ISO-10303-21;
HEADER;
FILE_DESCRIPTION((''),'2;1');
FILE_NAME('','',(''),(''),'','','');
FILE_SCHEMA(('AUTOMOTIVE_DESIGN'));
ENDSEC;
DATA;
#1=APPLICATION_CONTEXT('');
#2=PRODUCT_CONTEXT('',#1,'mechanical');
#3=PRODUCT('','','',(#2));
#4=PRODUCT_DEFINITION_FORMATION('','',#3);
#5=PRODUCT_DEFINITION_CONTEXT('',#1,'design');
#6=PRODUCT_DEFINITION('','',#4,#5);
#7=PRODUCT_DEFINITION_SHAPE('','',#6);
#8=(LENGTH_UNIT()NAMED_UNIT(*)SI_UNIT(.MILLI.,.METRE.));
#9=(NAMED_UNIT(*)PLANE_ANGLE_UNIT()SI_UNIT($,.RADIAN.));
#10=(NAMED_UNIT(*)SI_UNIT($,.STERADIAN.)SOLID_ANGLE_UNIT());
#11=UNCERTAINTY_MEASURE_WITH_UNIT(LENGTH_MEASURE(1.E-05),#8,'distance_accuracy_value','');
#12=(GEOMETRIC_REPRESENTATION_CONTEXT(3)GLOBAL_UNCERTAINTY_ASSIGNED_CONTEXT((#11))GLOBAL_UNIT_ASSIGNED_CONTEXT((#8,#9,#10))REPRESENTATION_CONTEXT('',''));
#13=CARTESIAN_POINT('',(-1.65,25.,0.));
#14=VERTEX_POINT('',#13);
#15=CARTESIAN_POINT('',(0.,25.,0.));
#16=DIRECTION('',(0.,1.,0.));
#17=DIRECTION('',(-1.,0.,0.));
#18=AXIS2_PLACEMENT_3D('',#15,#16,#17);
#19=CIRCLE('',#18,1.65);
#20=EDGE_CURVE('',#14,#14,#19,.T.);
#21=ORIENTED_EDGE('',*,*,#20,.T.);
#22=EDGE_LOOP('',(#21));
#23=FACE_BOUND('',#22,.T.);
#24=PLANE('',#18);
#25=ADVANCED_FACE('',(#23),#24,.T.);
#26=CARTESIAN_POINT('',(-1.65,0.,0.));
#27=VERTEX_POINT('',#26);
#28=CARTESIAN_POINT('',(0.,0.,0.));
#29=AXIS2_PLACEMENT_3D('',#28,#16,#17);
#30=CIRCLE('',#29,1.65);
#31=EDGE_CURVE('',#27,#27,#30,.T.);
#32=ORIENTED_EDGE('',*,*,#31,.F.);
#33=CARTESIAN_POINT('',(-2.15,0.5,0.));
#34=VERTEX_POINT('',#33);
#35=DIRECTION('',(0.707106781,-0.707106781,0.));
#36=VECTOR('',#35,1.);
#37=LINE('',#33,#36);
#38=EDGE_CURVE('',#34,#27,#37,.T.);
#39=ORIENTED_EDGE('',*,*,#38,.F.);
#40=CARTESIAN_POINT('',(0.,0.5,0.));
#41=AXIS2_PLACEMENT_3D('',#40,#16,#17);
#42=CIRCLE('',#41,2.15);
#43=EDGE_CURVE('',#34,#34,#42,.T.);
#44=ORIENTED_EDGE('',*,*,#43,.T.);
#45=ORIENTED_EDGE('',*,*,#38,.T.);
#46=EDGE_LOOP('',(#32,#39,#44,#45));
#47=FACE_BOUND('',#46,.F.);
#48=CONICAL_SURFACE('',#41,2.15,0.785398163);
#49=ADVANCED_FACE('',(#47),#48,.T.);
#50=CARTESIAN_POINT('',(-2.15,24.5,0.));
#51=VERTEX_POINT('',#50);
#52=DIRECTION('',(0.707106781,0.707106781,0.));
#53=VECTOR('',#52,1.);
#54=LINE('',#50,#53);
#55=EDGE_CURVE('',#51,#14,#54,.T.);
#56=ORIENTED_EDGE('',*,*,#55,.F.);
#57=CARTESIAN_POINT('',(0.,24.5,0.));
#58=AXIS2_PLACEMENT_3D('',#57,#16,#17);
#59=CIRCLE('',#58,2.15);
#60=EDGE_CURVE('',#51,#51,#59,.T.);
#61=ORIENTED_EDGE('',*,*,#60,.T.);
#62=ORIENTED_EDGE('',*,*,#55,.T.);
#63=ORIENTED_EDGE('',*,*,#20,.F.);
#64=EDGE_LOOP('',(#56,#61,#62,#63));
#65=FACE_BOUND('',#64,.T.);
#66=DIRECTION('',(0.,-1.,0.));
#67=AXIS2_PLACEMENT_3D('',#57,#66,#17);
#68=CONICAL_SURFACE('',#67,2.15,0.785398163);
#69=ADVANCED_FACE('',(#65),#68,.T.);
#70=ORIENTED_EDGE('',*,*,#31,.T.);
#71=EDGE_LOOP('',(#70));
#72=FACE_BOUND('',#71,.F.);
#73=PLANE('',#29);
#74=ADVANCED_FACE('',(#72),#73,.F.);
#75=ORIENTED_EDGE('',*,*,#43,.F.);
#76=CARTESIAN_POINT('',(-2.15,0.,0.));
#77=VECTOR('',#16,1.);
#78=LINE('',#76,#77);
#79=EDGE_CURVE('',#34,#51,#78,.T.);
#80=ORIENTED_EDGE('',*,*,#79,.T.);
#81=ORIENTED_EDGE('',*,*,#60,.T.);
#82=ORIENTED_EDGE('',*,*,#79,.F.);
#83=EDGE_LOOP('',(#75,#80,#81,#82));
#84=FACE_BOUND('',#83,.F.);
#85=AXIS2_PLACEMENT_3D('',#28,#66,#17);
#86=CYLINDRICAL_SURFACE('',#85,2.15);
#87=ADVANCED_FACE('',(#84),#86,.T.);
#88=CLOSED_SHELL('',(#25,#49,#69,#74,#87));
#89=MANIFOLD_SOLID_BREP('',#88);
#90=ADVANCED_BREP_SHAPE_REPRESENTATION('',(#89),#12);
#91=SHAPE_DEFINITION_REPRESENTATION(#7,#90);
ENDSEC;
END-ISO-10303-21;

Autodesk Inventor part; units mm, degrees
ref_plane "YZ Plane" through (0, 0, 0) normal (1, 0, 0) x (0, 1, 0)
ref_plane "XZ Plane" through (0, 0, 0) normal (0, 1, 0) x (-1, 0, 0)
ref_plane "XY Plane" through (0, 0, 0) normal (0, 0, 1) x (1, 0, 0)
sketch "Sketch1" plane through (0, 0, 0) normal (0, 1, 0) x (-1, 0, 0)
  circle A0 centre (0, 0) radius 2.15
  dimension "d0" = 4.3
extrude "Extrusion1" add sketch "Sketch1" along normal blind 25
chamfer "Chamfer1" distance 0.5 angle 45 2 edges at (2.15, 25, 0) (2.15, 0, 0)
properties part number "CF Spring Shaft V1" material "Thermoplastic Resin"
